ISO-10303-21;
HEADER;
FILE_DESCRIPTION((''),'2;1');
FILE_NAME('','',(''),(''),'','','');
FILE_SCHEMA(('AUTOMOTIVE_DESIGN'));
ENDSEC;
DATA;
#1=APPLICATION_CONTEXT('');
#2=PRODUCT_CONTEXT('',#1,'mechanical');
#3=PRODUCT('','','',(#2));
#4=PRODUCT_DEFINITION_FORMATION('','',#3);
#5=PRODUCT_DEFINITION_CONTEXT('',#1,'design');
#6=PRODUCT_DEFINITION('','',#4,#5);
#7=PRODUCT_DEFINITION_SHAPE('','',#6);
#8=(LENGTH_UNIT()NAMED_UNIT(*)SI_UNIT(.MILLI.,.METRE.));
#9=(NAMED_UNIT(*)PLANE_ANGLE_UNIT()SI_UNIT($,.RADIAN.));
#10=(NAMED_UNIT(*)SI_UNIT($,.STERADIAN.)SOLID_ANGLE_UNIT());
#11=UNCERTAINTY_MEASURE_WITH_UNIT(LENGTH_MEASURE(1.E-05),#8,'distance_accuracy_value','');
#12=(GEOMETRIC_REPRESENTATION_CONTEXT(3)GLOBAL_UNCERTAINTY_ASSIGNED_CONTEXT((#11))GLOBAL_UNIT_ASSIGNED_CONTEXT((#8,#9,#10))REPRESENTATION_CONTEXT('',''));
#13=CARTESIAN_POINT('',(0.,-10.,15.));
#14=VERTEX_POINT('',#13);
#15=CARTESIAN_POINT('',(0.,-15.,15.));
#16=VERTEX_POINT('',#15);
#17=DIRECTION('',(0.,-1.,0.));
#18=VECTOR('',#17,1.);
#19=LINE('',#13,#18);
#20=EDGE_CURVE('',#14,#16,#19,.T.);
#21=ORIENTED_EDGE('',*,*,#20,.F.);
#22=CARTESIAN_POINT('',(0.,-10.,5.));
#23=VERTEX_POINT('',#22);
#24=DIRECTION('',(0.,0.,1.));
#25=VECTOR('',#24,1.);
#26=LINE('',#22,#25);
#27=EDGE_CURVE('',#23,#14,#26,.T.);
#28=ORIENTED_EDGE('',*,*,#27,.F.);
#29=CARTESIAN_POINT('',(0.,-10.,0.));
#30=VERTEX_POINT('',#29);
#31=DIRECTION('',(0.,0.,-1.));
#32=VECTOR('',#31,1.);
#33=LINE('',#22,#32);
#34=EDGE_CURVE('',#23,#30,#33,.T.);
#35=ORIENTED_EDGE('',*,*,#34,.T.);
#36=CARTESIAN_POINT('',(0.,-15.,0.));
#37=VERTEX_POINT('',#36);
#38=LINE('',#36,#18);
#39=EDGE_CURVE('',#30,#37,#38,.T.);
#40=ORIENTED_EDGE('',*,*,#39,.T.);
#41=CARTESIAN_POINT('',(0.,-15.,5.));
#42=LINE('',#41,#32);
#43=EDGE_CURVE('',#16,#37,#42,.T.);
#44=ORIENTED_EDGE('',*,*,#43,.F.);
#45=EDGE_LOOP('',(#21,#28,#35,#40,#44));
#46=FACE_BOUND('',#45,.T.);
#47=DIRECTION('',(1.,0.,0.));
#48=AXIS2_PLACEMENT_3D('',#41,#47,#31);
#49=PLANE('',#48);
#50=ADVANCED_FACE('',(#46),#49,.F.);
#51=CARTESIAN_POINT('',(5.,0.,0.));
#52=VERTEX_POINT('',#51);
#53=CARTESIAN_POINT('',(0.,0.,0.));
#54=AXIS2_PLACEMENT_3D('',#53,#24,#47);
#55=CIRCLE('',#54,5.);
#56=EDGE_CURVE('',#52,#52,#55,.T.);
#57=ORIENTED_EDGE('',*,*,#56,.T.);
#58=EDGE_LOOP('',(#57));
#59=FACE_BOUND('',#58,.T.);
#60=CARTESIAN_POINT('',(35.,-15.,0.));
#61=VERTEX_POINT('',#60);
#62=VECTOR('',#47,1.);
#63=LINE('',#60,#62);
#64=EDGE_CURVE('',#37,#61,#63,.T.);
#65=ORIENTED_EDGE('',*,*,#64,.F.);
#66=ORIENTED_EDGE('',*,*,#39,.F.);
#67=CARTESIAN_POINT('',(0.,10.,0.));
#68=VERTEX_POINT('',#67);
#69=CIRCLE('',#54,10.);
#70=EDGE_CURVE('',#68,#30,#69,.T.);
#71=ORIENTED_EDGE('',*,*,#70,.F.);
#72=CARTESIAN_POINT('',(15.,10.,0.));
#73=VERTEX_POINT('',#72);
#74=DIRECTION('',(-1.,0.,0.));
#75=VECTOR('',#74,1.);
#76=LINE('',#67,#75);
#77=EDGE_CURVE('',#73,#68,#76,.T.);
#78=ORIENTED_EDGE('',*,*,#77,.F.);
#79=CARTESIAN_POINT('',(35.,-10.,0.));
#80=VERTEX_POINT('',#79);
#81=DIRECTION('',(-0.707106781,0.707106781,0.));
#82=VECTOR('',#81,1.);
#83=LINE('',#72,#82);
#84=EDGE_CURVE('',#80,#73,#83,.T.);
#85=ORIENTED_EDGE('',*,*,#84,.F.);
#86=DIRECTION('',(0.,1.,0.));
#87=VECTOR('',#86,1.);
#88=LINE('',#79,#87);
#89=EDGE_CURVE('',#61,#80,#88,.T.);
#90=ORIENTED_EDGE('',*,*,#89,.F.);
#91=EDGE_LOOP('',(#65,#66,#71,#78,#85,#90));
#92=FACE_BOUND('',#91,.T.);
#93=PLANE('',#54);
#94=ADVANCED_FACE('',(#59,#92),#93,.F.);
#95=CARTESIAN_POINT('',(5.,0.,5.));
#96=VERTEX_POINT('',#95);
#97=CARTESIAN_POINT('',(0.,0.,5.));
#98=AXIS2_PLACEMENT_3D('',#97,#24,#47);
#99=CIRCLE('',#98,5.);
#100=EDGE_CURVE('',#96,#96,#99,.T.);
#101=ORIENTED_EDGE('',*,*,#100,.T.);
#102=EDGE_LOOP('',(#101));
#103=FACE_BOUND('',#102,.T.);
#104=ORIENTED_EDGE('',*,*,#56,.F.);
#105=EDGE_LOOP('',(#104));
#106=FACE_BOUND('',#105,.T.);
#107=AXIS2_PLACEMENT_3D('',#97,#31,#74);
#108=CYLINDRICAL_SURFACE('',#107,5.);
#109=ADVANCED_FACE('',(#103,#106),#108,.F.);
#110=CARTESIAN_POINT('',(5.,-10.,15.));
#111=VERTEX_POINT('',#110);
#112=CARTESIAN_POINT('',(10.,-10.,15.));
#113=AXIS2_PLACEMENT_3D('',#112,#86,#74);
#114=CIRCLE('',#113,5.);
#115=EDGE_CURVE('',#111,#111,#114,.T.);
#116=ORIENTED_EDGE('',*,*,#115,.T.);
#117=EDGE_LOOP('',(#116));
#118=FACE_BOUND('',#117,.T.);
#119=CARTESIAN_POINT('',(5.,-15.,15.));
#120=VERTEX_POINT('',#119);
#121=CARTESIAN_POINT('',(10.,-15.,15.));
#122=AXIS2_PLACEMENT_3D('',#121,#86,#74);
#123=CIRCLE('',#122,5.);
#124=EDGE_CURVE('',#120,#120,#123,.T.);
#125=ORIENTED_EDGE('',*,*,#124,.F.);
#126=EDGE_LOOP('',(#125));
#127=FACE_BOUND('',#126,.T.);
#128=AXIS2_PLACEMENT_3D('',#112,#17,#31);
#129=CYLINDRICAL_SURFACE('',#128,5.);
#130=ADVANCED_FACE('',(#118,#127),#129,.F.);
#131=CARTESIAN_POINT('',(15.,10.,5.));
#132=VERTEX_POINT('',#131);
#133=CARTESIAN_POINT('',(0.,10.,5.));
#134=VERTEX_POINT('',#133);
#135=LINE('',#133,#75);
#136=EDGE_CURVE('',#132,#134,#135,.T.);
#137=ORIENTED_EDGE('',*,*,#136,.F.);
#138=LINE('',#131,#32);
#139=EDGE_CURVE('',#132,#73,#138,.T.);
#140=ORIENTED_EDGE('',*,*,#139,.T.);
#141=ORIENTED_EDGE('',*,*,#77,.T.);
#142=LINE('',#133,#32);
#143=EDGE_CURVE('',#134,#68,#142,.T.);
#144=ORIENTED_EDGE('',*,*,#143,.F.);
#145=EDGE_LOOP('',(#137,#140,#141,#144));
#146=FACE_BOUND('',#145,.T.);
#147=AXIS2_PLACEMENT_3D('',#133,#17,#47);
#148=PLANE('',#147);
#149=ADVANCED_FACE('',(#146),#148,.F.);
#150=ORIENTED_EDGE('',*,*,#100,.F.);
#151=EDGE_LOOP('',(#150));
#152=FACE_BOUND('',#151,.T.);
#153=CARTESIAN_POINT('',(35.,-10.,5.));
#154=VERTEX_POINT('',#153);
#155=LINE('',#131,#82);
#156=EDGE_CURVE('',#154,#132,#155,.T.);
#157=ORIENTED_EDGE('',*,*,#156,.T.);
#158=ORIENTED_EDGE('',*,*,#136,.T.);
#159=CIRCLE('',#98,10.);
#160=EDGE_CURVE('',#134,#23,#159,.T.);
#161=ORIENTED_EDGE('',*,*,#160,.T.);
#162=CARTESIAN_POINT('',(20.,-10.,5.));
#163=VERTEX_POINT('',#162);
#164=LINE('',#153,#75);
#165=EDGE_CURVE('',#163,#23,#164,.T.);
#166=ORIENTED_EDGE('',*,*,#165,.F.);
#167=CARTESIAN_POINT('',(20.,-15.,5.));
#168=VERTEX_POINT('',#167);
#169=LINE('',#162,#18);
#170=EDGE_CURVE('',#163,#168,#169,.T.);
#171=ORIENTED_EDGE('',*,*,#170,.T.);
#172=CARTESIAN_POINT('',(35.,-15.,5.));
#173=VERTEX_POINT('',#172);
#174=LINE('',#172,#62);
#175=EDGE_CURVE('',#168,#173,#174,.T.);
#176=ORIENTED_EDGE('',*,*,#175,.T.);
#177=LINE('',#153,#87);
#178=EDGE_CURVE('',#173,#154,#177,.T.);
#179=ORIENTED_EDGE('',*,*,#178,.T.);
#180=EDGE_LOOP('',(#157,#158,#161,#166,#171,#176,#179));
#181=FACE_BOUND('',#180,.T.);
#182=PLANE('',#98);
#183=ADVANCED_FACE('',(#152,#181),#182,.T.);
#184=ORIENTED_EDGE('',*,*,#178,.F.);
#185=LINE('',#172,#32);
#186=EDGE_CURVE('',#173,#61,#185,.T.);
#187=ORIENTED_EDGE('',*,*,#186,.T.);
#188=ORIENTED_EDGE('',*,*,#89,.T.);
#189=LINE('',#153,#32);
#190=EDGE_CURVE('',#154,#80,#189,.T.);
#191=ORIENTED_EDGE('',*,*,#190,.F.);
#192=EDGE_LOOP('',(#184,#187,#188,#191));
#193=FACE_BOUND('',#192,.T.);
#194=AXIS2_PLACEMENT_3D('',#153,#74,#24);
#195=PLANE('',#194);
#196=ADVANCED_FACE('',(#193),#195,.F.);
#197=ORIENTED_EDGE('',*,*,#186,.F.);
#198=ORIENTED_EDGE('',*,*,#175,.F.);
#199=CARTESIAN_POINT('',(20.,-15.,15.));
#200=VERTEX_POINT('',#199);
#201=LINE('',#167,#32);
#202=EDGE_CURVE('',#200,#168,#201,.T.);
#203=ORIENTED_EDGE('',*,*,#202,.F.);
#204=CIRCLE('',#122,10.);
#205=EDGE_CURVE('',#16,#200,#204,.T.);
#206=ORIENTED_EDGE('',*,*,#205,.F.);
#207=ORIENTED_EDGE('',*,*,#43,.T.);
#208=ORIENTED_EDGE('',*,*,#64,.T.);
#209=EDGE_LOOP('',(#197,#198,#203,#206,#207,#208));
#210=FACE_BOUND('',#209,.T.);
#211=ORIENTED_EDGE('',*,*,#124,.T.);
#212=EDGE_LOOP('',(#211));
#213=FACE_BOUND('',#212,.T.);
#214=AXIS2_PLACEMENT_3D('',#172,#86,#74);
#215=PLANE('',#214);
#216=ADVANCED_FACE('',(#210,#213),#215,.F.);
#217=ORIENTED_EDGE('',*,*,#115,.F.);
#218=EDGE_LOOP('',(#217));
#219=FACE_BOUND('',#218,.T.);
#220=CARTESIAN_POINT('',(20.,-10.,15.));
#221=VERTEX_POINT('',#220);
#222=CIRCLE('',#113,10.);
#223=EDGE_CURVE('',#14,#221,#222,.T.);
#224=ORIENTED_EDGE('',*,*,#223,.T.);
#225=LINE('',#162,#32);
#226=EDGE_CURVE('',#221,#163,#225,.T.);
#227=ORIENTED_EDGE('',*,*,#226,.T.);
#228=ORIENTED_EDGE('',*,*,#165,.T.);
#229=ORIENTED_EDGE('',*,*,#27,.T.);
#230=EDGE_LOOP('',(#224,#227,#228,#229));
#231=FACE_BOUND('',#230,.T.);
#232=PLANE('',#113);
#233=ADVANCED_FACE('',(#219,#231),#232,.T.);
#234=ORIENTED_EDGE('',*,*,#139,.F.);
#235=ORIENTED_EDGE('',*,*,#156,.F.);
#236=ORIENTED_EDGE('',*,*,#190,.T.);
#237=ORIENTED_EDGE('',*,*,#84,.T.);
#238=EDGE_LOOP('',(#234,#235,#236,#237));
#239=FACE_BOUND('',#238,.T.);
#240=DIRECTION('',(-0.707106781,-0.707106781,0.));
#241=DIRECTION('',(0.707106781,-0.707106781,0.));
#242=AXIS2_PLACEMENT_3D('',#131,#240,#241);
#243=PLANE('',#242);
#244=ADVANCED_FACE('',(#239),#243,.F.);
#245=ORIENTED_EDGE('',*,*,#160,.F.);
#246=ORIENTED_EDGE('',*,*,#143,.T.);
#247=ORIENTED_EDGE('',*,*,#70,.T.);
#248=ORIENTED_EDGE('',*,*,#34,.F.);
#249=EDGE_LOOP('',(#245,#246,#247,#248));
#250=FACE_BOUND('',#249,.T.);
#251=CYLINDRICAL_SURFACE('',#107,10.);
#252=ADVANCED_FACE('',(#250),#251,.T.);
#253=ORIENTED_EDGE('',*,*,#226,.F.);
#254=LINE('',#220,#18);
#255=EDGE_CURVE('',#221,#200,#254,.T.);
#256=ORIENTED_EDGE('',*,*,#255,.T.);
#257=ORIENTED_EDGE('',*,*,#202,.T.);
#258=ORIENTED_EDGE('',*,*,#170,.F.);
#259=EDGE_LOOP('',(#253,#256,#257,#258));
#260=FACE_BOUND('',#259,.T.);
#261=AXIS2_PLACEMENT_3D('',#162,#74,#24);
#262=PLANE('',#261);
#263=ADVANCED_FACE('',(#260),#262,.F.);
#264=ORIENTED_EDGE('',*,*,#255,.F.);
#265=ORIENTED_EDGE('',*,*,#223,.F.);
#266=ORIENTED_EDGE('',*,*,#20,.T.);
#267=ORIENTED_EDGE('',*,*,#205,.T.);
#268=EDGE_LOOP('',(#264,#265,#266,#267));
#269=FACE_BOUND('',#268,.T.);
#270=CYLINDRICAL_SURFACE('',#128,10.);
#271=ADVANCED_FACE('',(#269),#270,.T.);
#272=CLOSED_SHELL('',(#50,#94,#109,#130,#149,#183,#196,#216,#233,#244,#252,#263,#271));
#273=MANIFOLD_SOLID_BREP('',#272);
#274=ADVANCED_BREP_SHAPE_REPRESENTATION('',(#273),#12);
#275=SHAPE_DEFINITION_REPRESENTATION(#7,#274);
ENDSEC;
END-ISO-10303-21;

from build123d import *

# Parameters (mm, degrees)
SKETCH_1_R      = 5
EXTRUDE_1_DEPTH = 5
EXTRUDE_START   = -15
SKETCH_2_R      = 5
EXTRUDE_2_DEPTH = 5


with BuildPart() as part:
    # 草圖1 → 填料-伸長1 (new body)
    with BuildSketch(Plane.XY):
        with BuildLine():
            Line((0, 10), (15, 10))
            Line((15, 10), (35, -10))
            Line((35, -10), (35, -15))
            Line((35, -15), (0, -15))
            Line((0, -15), (0, -10))
            ThreePointArc((0, -10), (-10, 0), (0, 10))
        make_face()
        Circle(SKETCH_1_R, mode=Mode.SUBTRACT)
    extrude(amount=EXTRUDE_1_DEPTH)

    # 草圖2 → 填料-伸長2 (add)
    with BuildSketch(Plane(origin=(0, 0, 0), x_dir=(1, 0, 0), z_dir=(0, 1, 0)).offset(EXTRUDE_START)):
        with BuildLine():
            Line((0, -15), (0, -5))
            Line((0, -5), (20, -5))
            Line((20, -5), (20, -15))
            ThreePointArc((20, -15), (10, -25), (0, -15))
        make_face()
        with Locations((10, -15)):
            Circle(SKETCH_2_R, mode=Mode.SUBTRACT)
    extrude(amount=EXTRUDE_2_DEPTH)


solid = part.part
